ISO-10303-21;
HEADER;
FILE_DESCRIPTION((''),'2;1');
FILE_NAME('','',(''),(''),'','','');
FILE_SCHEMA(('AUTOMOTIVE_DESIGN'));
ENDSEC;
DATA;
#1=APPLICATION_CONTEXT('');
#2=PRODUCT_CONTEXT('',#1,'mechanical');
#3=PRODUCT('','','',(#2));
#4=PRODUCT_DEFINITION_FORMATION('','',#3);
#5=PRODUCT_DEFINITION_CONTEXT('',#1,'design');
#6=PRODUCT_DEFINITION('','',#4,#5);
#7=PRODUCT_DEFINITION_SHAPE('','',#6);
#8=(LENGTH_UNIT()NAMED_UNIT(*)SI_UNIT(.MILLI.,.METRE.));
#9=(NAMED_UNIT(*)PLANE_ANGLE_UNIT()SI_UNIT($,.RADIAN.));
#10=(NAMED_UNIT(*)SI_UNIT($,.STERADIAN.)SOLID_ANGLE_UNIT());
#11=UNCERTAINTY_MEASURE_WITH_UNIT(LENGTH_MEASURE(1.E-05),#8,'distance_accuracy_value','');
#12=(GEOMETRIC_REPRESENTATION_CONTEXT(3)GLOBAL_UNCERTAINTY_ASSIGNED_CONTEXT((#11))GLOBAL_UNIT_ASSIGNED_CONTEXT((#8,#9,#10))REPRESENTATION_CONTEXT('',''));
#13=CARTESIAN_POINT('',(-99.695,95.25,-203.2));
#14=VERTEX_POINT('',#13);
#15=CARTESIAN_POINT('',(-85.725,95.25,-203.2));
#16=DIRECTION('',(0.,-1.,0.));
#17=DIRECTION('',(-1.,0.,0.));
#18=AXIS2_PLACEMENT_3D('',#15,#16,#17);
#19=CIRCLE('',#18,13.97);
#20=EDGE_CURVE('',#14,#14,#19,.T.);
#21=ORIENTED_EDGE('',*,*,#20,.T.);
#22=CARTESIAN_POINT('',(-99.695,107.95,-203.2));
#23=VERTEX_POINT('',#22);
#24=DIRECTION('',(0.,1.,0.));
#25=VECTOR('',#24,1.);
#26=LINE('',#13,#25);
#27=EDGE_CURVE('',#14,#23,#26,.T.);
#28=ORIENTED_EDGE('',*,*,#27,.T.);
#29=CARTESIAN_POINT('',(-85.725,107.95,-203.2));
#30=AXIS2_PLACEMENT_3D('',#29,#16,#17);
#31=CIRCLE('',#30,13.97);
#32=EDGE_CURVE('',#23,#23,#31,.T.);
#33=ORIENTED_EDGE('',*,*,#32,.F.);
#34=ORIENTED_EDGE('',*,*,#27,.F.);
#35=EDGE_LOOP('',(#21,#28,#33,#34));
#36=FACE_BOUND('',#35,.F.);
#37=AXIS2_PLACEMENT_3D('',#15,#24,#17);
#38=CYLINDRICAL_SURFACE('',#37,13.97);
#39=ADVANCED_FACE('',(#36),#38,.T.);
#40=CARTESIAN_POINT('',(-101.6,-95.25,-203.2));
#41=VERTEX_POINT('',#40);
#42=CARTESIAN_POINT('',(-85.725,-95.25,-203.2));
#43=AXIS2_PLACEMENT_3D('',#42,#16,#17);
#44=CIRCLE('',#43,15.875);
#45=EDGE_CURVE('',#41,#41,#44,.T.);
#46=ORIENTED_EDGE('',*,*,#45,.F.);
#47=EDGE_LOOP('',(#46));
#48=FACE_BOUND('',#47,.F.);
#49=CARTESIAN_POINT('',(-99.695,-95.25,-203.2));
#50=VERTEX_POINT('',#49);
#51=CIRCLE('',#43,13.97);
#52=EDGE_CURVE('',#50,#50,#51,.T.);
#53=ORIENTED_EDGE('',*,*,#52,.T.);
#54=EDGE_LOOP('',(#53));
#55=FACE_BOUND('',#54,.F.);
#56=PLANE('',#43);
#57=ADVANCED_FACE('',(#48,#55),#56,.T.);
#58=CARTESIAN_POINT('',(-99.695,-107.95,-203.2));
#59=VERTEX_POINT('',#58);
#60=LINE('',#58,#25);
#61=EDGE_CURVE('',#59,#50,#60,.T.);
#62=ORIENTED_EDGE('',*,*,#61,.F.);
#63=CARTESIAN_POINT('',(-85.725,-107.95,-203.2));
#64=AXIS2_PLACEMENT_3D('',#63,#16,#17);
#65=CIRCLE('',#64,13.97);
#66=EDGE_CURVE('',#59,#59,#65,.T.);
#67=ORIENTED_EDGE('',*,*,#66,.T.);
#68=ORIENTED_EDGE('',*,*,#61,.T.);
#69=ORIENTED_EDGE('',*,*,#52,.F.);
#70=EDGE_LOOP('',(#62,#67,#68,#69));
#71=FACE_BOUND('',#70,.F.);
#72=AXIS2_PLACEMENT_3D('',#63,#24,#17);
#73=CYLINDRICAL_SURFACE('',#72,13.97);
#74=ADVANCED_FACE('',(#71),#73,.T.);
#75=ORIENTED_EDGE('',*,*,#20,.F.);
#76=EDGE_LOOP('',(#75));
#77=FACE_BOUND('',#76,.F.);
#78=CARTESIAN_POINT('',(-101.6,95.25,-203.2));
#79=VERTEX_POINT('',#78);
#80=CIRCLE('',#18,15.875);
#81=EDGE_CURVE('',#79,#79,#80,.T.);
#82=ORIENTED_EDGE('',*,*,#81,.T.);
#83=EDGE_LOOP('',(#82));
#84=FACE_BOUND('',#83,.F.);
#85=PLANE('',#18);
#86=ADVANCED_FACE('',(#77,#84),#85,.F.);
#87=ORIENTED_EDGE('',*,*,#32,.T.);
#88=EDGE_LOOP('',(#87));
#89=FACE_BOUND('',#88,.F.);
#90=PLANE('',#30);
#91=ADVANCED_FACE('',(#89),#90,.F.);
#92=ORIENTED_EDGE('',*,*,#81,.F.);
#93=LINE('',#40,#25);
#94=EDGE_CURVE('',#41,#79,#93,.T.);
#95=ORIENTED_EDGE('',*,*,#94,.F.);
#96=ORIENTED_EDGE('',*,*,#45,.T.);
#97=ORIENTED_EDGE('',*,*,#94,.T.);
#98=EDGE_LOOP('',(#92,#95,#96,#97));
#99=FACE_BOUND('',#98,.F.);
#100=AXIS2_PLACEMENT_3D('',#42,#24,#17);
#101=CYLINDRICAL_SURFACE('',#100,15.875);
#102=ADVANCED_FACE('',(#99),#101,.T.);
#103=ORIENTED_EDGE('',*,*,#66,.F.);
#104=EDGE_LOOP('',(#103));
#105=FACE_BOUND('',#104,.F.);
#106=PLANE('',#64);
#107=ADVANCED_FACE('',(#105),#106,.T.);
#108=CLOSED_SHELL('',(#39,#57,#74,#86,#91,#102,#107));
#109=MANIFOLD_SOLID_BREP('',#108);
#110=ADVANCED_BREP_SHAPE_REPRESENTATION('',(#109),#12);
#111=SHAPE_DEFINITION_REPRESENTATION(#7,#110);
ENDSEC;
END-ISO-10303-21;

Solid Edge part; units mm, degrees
sketch "Sketch1" plane through (0, 0, -203.2) normal (0, 0, 1) x (1, 0, 0)
  line L0 (-101.6, -95.25) -> (-101.6, 95.25)
  line L1 (-101.6, 95.25) -> (-99.695, 95.25)
  line L2 (-99.695, 95.25) -> (-99.695, 107.95)
  line L3 (-99.695, 107.95) -> (-85.725, 107.95)
  line L4 (-85.725, -107.95) -> (-99.695, -107.95)
  line L5 (-99.695, -107.95) -> (-99.695, -95.25)
  line L6 (-99.695, -95.25) -> (-101.6, -95.25)
  dimension "D1" = 13.97
  dimension "D2" = 6.35
  dimension "D3" = 12.7
revolve "RevolvedProtrusion1" add sketch "Sketch1" angle 360 about axis through (-85.725, 107.95, -203.2) along (0, -1, 0)
